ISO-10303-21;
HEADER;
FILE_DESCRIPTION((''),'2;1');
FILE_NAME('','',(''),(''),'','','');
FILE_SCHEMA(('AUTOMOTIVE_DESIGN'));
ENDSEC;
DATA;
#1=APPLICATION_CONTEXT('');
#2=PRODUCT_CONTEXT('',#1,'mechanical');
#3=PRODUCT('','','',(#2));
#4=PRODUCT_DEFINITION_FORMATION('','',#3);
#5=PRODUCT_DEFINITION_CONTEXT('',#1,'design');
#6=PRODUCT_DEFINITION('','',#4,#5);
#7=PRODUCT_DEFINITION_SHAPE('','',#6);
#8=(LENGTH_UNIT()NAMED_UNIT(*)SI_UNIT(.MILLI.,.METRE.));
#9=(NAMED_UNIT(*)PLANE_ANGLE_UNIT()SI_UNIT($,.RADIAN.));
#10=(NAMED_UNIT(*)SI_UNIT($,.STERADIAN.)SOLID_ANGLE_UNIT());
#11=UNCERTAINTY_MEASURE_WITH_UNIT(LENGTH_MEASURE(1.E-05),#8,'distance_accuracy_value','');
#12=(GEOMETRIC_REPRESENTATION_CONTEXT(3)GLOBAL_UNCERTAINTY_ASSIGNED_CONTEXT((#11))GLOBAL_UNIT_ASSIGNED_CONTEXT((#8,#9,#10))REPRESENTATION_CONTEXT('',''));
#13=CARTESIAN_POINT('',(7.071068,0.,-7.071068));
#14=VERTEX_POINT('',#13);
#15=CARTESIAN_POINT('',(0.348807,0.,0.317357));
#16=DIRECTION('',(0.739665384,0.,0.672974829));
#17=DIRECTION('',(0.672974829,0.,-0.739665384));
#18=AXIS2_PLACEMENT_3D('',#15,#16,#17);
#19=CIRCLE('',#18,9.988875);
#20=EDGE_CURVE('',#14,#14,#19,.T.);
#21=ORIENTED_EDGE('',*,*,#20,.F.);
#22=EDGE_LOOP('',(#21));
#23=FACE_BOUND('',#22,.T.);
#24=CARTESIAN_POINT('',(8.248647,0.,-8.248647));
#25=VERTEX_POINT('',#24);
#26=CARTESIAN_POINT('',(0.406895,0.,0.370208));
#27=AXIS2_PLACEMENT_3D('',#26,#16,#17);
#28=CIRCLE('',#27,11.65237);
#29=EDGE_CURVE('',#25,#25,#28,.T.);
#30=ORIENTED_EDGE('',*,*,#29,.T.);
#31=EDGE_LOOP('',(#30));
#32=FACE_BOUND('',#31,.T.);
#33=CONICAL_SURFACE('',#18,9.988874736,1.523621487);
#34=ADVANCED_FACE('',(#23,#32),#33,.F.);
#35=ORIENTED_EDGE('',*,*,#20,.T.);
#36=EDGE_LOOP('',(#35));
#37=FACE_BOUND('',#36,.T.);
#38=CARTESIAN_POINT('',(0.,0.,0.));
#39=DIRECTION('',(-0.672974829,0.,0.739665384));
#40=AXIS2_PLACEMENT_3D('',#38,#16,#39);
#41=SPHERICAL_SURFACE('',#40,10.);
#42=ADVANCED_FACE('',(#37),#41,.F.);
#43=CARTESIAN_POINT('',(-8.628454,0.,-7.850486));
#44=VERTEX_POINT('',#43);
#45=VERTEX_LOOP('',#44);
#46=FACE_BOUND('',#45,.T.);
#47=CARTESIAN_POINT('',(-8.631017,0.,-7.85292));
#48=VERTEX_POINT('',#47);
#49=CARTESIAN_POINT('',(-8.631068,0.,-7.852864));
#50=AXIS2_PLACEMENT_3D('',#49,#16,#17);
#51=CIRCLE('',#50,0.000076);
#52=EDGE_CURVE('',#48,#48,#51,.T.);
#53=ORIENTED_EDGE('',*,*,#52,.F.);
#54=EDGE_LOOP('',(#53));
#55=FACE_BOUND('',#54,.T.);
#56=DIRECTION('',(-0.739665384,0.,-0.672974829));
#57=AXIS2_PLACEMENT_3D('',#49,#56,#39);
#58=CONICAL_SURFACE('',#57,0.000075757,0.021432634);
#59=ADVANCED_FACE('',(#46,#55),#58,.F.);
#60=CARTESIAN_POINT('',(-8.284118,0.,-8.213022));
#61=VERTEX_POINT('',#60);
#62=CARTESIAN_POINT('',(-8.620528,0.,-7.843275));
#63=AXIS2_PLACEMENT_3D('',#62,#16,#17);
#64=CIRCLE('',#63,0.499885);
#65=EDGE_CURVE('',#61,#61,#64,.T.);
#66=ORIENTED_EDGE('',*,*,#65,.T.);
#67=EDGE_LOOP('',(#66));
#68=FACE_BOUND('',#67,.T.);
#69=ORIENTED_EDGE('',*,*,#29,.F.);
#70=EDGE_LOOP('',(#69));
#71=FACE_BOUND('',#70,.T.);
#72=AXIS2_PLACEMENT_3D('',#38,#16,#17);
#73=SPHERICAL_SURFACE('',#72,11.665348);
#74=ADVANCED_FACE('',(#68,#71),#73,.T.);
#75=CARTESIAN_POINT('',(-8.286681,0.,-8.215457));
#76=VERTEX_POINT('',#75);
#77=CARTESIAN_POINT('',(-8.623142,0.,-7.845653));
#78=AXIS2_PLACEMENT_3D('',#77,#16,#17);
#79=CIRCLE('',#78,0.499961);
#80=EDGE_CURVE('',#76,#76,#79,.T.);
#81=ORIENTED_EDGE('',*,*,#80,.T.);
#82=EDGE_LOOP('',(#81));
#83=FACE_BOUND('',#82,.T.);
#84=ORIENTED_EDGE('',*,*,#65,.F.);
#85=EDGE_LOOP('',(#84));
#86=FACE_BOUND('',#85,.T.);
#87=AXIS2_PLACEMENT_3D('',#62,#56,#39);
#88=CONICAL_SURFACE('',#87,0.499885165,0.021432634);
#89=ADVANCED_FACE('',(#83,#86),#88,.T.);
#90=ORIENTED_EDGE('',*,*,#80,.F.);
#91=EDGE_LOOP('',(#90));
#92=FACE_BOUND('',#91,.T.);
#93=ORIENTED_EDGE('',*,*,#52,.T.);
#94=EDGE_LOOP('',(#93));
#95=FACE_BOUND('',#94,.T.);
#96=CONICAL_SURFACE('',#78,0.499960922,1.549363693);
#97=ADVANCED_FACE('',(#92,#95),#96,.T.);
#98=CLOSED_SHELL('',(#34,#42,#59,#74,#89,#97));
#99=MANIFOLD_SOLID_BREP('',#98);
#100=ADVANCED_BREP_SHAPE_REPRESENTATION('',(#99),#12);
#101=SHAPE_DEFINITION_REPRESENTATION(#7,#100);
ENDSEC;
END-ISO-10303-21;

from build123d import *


with BuildPart() as part:
    # Croquis1 → Revolución1 (revolve)
    with BuildSketch(Plane(origin=(0, 0, 0), x_dir=(1, 0, 0), z_dir=(0, 1, 0))):
        with BuildLine():
            Line((-7.396653837, 6.729748287), (-8.628454316, 7.850485765))
            Line((-8.628454316, 7.850485765), (-8.631017383, 7.852920157))
            Line((-8.631017383, 7.852920157), (-8.286681368, 8.21545665))
            Line((-8.286681368, 8.21545665), (-8.284118301, 8.213022257))
            ThreePointArc((-8.284118301, 8.213022257), (-0.025136306, 11.665321204), (8.248646878, 8.248646878))
            Line((8.248646878, 8.248646878), (7.071067812, 7.071067812))
            ThreePointArc((7.071067812, 7.071067812), (-0.235852326, 9.997218297), (-7.396653837, 6.729748287))
        make_face()
    revolve(axis=Axis((-7.396653837, 0, -6.729748287), (-0.739665384, 0, -0.672974829)))


solid = part.part
